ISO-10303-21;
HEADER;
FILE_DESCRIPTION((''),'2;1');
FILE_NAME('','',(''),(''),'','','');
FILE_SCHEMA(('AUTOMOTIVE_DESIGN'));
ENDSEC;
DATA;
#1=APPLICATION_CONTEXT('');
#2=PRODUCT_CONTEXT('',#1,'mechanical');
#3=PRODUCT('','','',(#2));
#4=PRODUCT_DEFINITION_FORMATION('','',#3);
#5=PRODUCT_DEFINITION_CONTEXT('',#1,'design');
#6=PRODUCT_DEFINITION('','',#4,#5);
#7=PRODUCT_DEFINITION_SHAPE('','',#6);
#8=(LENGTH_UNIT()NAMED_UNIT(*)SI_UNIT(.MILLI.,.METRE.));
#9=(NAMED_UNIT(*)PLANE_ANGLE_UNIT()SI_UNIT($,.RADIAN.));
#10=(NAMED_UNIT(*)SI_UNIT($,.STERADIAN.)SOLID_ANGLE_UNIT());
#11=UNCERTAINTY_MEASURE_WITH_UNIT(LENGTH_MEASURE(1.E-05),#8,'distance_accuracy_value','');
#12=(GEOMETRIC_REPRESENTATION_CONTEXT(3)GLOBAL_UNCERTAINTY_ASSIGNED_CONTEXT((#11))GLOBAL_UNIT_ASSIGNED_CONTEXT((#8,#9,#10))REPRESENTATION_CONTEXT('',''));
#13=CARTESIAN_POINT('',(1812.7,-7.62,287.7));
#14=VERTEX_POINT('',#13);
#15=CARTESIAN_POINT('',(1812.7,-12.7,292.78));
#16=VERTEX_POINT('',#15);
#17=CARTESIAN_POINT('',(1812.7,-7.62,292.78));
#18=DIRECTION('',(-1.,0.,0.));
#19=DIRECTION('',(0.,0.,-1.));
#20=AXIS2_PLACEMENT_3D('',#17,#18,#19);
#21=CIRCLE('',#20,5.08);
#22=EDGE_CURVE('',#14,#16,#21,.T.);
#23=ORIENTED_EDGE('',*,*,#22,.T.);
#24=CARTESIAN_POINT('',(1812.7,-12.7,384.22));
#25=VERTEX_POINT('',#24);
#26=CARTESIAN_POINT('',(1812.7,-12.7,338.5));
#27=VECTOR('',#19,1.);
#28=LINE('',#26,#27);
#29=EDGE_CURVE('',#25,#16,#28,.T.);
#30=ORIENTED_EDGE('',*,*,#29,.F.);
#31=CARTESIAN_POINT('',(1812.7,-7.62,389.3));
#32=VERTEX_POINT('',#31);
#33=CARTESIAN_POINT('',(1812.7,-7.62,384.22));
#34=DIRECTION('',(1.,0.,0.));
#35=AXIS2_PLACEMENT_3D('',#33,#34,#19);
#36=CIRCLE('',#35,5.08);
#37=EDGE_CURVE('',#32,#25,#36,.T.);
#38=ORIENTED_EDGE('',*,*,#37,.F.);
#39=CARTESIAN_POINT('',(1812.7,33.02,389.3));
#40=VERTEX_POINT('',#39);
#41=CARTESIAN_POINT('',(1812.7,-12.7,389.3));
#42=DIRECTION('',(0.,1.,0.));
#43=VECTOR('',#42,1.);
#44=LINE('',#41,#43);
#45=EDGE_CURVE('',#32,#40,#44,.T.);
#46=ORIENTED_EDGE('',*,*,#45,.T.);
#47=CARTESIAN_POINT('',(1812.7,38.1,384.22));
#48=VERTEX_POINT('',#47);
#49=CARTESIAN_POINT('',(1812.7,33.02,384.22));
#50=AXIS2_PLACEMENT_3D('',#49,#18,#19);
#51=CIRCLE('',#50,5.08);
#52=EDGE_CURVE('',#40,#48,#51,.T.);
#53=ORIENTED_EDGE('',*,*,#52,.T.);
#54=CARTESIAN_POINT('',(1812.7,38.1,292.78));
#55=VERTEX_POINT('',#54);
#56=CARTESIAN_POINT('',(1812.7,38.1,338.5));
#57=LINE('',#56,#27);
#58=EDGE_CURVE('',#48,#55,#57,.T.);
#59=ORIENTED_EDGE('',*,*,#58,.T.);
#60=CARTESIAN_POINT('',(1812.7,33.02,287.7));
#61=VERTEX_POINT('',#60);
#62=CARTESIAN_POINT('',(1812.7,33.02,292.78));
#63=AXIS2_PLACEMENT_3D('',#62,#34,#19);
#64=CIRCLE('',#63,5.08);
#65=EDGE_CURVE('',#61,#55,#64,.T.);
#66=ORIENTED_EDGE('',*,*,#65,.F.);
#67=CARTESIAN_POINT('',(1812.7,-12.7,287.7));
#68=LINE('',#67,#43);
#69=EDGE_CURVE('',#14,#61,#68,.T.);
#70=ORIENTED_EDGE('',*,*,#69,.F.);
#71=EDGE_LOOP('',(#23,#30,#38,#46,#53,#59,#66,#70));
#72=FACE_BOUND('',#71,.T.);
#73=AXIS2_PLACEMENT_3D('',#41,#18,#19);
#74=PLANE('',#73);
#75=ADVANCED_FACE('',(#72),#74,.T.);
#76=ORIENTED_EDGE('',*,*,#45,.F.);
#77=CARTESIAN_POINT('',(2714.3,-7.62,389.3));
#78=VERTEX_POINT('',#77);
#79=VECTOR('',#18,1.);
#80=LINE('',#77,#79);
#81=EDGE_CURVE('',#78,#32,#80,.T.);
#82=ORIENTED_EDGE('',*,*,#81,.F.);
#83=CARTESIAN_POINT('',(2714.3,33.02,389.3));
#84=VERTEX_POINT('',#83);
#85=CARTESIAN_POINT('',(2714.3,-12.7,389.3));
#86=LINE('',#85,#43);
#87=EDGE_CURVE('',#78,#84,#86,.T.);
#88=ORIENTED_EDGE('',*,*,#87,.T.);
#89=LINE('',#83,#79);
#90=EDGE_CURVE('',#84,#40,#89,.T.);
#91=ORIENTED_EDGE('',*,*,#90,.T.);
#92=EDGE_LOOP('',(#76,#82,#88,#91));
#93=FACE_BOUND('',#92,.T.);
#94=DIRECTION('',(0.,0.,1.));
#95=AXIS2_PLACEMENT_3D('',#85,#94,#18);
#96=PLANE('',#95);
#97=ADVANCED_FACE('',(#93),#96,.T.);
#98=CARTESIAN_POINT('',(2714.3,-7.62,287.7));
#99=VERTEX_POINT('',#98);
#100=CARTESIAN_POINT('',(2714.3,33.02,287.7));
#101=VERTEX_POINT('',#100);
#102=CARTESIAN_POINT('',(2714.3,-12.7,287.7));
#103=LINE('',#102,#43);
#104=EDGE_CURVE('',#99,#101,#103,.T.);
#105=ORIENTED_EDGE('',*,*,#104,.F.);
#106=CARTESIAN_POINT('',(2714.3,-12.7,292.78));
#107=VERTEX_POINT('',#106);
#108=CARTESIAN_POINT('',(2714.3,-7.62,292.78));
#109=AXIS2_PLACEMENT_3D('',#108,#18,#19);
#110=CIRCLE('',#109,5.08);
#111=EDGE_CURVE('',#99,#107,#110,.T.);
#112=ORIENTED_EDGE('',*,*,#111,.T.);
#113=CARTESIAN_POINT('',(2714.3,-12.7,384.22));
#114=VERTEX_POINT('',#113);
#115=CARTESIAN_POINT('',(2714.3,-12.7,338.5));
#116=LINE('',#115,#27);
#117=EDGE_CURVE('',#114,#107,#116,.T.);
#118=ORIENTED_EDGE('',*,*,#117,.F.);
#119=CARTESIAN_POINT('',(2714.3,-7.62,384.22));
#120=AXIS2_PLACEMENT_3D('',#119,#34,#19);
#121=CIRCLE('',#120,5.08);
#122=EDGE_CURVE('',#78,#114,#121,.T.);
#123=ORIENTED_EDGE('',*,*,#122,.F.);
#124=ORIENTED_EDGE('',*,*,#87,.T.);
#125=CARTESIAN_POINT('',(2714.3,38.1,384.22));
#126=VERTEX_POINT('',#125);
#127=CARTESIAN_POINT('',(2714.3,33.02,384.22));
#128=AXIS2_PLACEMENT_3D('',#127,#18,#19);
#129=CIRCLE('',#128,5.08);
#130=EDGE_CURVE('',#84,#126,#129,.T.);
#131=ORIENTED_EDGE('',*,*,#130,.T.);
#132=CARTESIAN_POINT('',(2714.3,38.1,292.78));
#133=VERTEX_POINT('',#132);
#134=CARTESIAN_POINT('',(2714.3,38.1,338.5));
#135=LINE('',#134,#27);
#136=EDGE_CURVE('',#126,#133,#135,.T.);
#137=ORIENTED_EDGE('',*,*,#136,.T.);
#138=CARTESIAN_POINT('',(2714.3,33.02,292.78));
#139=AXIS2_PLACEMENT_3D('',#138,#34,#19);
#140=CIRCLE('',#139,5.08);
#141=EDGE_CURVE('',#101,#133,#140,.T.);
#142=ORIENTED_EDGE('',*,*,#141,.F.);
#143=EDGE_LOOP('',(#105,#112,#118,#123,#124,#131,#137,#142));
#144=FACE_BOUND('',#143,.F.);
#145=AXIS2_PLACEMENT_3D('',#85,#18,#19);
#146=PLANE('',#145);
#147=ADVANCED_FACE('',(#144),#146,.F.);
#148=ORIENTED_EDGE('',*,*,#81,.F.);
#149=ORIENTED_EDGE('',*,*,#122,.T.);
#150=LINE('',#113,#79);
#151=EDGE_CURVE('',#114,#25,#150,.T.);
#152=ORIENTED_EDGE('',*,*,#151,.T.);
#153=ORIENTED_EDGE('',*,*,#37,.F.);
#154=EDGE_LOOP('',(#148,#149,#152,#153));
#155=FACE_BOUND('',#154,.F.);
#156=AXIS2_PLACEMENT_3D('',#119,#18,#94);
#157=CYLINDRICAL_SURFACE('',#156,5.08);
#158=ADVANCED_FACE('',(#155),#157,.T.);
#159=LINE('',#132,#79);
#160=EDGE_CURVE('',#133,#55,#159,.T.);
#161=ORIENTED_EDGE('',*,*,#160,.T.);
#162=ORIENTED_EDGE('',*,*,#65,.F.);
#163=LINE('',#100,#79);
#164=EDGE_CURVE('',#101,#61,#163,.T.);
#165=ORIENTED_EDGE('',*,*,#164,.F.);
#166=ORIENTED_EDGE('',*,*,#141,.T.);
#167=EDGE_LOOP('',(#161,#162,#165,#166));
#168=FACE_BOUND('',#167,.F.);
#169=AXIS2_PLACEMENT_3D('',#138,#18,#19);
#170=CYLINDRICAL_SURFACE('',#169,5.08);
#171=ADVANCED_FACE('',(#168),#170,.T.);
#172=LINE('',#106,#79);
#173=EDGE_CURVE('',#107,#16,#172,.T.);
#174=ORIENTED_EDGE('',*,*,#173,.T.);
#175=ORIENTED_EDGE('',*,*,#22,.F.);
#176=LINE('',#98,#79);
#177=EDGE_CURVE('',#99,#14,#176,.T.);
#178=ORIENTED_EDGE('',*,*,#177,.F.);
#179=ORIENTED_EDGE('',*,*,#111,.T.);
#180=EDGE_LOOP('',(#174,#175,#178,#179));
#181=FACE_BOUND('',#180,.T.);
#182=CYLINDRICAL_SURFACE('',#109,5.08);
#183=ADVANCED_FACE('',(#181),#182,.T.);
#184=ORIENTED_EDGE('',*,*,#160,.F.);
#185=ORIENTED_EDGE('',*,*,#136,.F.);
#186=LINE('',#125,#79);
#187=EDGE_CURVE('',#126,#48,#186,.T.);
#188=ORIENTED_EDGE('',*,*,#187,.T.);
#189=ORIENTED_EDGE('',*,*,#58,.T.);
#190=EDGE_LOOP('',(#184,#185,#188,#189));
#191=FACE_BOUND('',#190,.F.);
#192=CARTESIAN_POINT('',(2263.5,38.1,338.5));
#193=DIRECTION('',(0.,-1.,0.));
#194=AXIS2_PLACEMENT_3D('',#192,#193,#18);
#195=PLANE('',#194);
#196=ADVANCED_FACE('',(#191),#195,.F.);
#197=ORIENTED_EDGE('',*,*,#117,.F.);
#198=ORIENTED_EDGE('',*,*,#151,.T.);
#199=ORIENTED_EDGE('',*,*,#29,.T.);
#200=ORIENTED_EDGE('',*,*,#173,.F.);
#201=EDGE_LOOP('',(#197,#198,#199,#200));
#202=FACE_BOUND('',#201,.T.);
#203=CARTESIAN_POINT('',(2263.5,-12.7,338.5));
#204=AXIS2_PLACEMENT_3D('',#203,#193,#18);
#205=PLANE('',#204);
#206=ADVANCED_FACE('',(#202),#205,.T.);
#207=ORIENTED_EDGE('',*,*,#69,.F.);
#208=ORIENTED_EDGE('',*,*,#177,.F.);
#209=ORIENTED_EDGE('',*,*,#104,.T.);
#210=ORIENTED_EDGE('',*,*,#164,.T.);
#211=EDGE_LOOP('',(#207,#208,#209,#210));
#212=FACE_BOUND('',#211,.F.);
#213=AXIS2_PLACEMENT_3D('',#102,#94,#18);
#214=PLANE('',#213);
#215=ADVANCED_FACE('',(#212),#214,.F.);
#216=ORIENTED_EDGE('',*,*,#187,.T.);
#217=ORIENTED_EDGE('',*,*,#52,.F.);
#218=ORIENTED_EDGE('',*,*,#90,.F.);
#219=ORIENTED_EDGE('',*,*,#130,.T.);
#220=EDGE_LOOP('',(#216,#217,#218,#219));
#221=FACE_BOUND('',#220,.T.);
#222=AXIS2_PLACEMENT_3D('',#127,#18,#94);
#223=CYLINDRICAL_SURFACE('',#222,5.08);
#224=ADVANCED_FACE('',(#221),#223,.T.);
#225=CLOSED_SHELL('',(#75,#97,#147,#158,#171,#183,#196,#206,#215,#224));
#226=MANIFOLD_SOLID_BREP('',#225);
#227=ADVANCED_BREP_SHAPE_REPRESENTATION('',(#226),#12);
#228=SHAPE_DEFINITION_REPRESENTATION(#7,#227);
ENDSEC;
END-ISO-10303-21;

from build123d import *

# Parameters (mm, degrees)
SKETCH3_W           = 901.6
SKETCH3_H           = 101.6
BOSS_EXTRUDE3_DEPTH = 50.8
FILLET1_R           = 5.08


with BuildPart() as part:
    # Sketch3 → Boss-Extrude3 (new body)
    with BuildSketch(Plane(origin=(0, -12.7, 0), x_dir=(-1, 0, 0), z_dir=(0, -1, 0))):
        with Locations((-2263.5, -338.5)):
            Rectangle(SKETCH3_W, SKETCH3_H)
    extrude(amount=-BOSS_EXTRUDE3_DEPTH)

    # Fillet1
    fillet1_edges = [part.edges().sort_by_distance(p)[0] for p in [
        (2263.5, 38.1, 389.3),
        (2263.5, -12.7, 389.3),
        (2263.5, -12.7, 287.7),
        (2263.5, 38.1, 287.7),
    ]]
    fillet(fillet1_edges, radius=FILLET1_R)


solid = part.part
